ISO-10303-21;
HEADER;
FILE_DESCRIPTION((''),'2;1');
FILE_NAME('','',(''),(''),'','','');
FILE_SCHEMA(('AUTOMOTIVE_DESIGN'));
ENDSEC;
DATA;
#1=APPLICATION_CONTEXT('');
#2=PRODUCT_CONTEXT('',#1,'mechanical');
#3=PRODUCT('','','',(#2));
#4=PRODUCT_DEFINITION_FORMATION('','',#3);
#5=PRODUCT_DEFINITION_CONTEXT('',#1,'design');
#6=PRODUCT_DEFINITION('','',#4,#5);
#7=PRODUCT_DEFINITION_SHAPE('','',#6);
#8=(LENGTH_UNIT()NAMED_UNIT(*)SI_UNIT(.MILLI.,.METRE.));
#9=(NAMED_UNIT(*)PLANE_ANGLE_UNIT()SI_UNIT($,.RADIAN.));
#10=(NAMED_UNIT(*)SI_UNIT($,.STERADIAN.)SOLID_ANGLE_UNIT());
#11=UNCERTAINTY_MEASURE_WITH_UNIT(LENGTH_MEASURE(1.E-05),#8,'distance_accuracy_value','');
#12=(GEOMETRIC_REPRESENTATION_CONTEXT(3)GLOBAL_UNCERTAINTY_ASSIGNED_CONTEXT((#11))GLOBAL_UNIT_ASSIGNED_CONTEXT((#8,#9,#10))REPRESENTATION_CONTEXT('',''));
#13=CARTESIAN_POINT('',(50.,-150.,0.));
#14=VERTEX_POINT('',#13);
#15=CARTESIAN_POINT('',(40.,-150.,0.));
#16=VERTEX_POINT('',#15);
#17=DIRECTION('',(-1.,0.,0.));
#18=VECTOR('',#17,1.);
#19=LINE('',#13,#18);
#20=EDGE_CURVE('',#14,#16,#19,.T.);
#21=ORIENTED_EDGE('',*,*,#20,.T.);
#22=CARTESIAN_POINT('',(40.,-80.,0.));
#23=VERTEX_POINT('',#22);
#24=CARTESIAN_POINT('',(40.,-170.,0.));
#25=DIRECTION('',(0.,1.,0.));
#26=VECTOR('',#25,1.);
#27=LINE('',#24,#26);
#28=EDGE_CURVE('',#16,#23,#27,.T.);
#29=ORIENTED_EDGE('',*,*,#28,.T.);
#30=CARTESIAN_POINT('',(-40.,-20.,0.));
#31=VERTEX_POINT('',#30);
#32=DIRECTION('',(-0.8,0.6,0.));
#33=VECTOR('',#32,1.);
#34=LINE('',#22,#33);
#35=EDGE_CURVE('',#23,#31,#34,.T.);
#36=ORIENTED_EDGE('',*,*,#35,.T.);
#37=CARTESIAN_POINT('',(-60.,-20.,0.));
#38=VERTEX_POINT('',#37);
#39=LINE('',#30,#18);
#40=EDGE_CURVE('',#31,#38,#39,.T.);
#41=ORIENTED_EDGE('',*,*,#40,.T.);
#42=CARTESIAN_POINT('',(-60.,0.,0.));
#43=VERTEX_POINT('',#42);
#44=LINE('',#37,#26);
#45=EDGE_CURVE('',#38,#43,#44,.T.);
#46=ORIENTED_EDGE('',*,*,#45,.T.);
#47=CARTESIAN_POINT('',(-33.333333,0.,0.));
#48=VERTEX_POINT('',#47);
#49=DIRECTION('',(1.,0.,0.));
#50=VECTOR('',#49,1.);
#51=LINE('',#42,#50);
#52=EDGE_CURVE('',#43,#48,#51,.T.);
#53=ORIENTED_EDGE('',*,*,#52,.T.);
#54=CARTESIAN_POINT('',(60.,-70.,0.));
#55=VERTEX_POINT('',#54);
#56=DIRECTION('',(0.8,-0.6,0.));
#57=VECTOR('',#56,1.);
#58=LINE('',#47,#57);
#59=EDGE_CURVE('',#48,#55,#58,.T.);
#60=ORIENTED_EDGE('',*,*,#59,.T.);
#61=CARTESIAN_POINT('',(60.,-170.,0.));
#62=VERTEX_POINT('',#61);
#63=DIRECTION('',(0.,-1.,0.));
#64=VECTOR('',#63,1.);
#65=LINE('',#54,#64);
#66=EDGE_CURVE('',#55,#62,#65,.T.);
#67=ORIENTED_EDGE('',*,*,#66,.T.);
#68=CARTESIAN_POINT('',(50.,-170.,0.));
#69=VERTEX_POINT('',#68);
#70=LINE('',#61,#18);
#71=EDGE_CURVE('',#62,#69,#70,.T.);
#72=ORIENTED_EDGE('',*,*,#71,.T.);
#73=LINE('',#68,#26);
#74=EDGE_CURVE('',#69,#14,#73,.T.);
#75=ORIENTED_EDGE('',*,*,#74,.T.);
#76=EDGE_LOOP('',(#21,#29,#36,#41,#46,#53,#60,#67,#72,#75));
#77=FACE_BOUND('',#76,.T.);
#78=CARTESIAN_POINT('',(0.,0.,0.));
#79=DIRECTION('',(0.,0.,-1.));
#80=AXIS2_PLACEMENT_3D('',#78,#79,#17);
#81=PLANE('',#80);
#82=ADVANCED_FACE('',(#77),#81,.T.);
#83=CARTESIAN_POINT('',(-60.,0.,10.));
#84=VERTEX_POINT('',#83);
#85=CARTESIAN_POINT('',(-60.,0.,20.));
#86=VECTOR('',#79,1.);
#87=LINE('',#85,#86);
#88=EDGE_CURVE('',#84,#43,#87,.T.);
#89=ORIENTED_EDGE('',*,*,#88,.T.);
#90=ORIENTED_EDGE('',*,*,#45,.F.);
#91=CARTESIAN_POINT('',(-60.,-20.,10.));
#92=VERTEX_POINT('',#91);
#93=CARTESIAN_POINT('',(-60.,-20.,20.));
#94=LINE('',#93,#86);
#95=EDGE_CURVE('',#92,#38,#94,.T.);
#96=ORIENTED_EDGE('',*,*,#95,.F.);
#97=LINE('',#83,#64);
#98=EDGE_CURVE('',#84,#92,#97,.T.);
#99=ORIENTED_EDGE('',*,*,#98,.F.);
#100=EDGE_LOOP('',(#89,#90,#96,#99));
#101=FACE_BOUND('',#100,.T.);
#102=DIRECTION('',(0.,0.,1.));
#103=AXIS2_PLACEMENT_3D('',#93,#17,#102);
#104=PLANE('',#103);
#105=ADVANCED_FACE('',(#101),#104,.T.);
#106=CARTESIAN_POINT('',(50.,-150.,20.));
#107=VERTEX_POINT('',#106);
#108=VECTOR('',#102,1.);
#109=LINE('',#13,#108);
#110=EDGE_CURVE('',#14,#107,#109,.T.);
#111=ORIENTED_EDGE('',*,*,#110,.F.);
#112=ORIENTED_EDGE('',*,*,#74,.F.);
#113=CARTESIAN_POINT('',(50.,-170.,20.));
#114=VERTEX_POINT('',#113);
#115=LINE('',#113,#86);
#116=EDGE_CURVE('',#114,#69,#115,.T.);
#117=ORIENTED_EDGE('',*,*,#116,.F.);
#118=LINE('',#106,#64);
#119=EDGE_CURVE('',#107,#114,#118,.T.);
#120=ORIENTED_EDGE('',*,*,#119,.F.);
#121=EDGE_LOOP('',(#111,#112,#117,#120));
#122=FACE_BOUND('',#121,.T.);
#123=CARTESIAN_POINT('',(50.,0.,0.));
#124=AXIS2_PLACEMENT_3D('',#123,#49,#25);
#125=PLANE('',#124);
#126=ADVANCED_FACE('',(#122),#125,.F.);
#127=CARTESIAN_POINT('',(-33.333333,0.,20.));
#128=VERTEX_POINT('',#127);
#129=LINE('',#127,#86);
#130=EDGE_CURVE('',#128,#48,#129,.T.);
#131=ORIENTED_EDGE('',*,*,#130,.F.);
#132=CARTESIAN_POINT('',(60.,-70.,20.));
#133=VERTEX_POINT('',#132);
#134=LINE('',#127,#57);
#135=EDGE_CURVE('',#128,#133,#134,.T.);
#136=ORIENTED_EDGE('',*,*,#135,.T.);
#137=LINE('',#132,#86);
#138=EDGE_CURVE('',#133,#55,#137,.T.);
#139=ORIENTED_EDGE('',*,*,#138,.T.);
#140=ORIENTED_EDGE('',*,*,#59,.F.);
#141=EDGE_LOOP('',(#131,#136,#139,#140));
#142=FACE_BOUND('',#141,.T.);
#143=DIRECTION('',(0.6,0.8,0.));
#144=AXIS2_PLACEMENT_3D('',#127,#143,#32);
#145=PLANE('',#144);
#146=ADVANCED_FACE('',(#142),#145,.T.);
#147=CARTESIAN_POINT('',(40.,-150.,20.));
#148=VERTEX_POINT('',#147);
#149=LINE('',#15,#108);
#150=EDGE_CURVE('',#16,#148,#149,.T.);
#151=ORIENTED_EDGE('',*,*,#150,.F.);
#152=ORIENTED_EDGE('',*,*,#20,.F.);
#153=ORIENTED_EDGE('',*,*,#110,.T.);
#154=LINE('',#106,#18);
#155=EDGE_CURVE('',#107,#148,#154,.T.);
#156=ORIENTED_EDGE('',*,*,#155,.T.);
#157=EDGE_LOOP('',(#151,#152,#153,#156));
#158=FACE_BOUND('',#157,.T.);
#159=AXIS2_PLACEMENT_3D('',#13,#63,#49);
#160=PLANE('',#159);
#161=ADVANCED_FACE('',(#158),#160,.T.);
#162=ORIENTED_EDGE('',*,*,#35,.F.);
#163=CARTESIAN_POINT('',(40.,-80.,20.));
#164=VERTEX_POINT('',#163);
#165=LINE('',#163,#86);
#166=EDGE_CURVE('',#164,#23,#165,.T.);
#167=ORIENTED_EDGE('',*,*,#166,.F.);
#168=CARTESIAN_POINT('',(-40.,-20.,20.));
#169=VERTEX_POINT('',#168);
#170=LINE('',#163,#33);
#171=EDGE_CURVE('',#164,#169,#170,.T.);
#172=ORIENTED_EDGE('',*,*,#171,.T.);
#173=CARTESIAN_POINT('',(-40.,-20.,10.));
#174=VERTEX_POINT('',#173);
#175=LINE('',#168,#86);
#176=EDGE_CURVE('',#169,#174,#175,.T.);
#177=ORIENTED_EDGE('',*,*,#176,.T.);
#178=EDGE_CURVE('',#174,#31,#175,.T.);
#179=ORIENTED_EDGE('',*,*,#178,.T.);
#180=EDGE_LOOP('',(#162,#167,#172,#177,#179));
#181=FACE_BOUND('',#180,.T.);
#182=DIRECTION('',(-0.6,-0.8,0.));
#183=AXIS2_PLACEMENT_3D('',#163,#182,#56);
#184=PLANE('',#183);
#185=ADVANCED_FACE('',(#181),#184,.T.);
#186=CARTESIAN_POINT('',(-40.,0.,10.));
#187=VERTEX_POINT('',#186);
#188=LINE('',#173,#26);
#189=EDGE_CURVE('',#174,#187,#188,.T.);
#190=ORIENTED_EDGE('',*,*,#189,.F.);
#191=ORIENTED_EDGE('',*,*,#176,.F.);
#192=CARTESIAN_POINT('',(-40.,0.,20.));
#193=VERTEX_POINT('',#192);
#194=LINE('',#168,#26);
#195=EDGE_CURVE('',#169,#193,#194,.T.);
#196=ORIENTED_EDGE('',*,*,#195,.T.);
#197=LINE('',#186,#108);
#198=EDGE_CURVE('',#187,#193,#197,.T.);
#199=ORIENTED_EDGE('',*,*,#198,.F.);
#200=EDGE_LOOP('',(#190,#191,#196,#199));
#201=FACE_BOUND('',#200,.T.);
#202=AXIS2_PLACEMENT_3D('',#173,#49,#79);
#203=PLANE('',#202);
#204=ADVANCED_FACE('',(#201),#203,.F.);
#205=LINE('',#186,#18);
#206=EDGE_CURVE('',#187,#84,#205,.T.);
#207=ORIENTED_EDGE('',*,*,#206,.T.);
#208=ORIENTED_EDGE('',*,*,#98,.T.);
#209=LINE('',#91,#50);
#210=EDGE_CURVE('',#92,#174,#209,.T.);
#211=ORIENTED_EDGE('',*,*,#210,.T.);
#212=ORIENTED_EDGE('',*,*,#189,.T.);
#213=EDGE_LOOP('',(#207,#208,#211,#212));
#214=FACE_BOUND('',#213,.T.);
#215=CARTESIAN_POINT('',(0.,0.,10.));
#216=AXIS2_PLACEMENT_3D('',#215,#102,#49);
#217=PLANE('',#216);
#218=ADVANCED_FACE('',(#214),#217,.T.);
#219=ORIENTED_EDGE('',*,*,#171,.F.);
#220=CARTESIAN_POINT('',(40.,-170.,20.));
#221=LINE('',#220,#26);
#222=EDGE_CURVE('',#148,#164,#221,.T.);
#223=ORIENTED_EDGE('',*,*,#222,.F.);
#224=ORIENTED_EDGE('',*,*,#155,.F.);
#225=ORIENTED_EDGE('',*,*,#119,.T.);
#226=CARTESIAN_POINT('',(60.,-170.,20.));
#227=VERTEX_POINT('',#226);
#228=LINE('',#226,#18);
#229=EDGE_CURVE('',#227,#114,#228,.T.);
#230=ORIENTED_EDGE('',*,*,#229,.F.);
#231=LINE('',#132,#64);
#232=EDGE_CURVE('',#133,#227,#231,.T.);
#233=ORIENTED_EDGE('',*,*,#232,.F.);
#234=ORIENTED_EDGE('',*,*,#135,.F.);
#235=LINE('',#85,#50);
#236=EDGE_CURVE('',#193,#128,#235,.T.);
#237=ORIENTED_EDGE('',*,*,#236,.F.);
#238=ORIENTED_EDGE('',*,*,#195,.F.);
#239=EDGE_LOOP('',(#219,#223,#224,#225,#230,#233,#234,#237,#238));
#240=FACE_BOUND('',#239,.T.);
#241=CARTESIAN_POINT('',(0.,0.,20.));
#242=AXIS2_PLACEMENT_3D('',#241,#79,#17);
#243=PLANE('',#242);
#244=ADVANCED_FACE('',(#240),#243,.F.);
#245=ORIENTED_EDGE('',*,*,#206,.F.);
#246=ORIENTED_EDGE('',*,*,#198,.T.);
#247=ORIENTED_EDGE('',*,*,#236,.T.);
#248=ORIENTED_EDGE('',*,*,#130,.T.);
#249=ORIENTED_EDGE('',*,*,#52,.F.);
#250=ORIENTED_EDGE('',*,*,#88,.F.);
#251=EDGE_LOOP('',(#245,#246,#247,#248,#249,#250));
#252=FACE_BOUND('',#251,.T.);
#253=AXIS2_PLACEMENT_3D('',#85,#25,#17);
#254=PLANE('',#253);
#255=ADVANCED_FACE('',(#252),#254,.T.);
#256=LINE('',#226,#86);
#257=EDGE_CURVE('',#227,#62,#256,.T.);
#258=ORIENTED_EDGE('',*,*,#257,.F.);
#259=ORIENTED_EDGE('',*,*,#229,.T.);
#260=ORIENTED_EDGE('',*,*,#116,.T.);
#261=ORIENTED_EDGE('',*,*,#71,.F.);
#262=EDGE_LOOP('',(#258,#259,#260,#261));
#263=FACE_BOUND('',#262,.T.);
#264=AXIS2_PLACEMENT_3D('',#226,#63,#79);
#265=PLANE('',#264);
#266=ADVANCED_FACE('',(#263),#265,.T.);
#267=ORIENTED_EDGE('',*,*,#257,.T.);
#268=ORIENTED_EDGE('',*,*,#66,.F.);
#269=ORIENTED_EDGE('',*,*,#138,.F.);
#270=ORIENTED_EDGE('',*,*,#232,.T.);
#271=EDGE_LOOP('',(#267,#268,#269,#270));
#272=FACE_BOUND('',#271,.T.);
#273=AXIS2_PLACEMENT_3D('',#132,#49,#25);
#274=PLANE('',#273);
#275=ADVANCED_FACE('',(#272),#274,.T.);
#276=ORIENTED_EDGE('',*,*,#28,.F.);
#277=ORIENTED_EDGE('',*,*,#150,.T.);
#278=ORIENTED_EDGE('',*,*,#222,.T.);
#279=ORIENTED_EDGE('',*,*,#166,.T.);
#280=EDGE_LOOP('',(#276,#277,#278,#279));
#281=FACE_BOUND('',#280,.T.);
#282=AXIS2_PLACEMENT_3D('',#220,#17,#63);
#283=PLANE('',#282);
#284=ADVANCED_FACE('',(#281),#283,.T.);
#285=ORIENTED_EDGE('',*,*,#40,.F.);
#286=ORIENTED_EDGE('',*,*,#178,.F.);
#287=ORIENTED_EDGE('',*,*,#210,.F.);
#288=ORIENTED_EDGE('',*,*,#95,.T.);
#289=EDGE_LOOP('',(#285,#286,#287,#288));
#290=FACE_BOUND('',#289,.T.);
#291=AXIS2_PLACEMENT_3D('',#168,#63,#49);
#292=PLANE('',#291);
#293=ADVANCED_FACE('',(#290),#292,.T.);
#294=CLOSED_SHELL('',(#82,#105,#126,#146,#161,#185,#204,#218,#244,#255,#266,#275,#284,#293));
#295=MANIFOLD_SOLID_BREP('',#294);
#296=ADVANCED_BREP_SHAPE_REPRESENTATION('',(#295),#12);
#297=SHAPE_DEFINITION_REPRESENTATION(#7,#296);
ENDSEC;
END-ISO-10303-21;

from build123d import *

# Parameters (mm, degrees)
SALIENTE_EXTRUIR1_DEPTH = 20
CROQUIS2_W              = 20
CROQUIS2_H              = 20
CORTAR_EXTRUIR1_DEPTH   = 10
CROQUIS3_W              = 20
CROQUIS3_H              = 20
CORTAR_EXTRUIR2_DEPTH   = 10


with BuildPart() as part:
    # Croquis1 → Saliente-Extruir1 (new body)
    with BuildSketch(Plane.XY):
        Polygon((-60, 0), (-33.333333333, 0), (60, -70), (60, -170), (40, -170), (40, -80), (-40, -20), (-60, -20), align=None)
    extrude(amount=SALIENTE_EXTRUIR1_DEPTH)

    # Croquis2 → Cortar-Extruir1 (cut)
    with BuildSketch(Plane.XY.offset(20)):
        with Locations((-50, -10)):
            Rectangle(CROQUIS2_W, CROQUIS2_H)
    extrude(amount=-CORTAR_EXTRUIR1_DEPTH, mode=Mode.SUBTRACT)

    # Croquis3 → Cortar-Extruir2 (cut)
    with BuildSketch(Plane(origin=(40, 0, 0), x_dir=(0, 0, -1), z_dir=(1, 0, 0))):
        with Locations((-10, -160)):
            Rectangle(CROQUIS3_W, CROQUIS3_H)
    extrude(amount=CORTAR_EXTRUIR2_DEPTH, mode=Mode.SUBTRACT)


solid = part.part
